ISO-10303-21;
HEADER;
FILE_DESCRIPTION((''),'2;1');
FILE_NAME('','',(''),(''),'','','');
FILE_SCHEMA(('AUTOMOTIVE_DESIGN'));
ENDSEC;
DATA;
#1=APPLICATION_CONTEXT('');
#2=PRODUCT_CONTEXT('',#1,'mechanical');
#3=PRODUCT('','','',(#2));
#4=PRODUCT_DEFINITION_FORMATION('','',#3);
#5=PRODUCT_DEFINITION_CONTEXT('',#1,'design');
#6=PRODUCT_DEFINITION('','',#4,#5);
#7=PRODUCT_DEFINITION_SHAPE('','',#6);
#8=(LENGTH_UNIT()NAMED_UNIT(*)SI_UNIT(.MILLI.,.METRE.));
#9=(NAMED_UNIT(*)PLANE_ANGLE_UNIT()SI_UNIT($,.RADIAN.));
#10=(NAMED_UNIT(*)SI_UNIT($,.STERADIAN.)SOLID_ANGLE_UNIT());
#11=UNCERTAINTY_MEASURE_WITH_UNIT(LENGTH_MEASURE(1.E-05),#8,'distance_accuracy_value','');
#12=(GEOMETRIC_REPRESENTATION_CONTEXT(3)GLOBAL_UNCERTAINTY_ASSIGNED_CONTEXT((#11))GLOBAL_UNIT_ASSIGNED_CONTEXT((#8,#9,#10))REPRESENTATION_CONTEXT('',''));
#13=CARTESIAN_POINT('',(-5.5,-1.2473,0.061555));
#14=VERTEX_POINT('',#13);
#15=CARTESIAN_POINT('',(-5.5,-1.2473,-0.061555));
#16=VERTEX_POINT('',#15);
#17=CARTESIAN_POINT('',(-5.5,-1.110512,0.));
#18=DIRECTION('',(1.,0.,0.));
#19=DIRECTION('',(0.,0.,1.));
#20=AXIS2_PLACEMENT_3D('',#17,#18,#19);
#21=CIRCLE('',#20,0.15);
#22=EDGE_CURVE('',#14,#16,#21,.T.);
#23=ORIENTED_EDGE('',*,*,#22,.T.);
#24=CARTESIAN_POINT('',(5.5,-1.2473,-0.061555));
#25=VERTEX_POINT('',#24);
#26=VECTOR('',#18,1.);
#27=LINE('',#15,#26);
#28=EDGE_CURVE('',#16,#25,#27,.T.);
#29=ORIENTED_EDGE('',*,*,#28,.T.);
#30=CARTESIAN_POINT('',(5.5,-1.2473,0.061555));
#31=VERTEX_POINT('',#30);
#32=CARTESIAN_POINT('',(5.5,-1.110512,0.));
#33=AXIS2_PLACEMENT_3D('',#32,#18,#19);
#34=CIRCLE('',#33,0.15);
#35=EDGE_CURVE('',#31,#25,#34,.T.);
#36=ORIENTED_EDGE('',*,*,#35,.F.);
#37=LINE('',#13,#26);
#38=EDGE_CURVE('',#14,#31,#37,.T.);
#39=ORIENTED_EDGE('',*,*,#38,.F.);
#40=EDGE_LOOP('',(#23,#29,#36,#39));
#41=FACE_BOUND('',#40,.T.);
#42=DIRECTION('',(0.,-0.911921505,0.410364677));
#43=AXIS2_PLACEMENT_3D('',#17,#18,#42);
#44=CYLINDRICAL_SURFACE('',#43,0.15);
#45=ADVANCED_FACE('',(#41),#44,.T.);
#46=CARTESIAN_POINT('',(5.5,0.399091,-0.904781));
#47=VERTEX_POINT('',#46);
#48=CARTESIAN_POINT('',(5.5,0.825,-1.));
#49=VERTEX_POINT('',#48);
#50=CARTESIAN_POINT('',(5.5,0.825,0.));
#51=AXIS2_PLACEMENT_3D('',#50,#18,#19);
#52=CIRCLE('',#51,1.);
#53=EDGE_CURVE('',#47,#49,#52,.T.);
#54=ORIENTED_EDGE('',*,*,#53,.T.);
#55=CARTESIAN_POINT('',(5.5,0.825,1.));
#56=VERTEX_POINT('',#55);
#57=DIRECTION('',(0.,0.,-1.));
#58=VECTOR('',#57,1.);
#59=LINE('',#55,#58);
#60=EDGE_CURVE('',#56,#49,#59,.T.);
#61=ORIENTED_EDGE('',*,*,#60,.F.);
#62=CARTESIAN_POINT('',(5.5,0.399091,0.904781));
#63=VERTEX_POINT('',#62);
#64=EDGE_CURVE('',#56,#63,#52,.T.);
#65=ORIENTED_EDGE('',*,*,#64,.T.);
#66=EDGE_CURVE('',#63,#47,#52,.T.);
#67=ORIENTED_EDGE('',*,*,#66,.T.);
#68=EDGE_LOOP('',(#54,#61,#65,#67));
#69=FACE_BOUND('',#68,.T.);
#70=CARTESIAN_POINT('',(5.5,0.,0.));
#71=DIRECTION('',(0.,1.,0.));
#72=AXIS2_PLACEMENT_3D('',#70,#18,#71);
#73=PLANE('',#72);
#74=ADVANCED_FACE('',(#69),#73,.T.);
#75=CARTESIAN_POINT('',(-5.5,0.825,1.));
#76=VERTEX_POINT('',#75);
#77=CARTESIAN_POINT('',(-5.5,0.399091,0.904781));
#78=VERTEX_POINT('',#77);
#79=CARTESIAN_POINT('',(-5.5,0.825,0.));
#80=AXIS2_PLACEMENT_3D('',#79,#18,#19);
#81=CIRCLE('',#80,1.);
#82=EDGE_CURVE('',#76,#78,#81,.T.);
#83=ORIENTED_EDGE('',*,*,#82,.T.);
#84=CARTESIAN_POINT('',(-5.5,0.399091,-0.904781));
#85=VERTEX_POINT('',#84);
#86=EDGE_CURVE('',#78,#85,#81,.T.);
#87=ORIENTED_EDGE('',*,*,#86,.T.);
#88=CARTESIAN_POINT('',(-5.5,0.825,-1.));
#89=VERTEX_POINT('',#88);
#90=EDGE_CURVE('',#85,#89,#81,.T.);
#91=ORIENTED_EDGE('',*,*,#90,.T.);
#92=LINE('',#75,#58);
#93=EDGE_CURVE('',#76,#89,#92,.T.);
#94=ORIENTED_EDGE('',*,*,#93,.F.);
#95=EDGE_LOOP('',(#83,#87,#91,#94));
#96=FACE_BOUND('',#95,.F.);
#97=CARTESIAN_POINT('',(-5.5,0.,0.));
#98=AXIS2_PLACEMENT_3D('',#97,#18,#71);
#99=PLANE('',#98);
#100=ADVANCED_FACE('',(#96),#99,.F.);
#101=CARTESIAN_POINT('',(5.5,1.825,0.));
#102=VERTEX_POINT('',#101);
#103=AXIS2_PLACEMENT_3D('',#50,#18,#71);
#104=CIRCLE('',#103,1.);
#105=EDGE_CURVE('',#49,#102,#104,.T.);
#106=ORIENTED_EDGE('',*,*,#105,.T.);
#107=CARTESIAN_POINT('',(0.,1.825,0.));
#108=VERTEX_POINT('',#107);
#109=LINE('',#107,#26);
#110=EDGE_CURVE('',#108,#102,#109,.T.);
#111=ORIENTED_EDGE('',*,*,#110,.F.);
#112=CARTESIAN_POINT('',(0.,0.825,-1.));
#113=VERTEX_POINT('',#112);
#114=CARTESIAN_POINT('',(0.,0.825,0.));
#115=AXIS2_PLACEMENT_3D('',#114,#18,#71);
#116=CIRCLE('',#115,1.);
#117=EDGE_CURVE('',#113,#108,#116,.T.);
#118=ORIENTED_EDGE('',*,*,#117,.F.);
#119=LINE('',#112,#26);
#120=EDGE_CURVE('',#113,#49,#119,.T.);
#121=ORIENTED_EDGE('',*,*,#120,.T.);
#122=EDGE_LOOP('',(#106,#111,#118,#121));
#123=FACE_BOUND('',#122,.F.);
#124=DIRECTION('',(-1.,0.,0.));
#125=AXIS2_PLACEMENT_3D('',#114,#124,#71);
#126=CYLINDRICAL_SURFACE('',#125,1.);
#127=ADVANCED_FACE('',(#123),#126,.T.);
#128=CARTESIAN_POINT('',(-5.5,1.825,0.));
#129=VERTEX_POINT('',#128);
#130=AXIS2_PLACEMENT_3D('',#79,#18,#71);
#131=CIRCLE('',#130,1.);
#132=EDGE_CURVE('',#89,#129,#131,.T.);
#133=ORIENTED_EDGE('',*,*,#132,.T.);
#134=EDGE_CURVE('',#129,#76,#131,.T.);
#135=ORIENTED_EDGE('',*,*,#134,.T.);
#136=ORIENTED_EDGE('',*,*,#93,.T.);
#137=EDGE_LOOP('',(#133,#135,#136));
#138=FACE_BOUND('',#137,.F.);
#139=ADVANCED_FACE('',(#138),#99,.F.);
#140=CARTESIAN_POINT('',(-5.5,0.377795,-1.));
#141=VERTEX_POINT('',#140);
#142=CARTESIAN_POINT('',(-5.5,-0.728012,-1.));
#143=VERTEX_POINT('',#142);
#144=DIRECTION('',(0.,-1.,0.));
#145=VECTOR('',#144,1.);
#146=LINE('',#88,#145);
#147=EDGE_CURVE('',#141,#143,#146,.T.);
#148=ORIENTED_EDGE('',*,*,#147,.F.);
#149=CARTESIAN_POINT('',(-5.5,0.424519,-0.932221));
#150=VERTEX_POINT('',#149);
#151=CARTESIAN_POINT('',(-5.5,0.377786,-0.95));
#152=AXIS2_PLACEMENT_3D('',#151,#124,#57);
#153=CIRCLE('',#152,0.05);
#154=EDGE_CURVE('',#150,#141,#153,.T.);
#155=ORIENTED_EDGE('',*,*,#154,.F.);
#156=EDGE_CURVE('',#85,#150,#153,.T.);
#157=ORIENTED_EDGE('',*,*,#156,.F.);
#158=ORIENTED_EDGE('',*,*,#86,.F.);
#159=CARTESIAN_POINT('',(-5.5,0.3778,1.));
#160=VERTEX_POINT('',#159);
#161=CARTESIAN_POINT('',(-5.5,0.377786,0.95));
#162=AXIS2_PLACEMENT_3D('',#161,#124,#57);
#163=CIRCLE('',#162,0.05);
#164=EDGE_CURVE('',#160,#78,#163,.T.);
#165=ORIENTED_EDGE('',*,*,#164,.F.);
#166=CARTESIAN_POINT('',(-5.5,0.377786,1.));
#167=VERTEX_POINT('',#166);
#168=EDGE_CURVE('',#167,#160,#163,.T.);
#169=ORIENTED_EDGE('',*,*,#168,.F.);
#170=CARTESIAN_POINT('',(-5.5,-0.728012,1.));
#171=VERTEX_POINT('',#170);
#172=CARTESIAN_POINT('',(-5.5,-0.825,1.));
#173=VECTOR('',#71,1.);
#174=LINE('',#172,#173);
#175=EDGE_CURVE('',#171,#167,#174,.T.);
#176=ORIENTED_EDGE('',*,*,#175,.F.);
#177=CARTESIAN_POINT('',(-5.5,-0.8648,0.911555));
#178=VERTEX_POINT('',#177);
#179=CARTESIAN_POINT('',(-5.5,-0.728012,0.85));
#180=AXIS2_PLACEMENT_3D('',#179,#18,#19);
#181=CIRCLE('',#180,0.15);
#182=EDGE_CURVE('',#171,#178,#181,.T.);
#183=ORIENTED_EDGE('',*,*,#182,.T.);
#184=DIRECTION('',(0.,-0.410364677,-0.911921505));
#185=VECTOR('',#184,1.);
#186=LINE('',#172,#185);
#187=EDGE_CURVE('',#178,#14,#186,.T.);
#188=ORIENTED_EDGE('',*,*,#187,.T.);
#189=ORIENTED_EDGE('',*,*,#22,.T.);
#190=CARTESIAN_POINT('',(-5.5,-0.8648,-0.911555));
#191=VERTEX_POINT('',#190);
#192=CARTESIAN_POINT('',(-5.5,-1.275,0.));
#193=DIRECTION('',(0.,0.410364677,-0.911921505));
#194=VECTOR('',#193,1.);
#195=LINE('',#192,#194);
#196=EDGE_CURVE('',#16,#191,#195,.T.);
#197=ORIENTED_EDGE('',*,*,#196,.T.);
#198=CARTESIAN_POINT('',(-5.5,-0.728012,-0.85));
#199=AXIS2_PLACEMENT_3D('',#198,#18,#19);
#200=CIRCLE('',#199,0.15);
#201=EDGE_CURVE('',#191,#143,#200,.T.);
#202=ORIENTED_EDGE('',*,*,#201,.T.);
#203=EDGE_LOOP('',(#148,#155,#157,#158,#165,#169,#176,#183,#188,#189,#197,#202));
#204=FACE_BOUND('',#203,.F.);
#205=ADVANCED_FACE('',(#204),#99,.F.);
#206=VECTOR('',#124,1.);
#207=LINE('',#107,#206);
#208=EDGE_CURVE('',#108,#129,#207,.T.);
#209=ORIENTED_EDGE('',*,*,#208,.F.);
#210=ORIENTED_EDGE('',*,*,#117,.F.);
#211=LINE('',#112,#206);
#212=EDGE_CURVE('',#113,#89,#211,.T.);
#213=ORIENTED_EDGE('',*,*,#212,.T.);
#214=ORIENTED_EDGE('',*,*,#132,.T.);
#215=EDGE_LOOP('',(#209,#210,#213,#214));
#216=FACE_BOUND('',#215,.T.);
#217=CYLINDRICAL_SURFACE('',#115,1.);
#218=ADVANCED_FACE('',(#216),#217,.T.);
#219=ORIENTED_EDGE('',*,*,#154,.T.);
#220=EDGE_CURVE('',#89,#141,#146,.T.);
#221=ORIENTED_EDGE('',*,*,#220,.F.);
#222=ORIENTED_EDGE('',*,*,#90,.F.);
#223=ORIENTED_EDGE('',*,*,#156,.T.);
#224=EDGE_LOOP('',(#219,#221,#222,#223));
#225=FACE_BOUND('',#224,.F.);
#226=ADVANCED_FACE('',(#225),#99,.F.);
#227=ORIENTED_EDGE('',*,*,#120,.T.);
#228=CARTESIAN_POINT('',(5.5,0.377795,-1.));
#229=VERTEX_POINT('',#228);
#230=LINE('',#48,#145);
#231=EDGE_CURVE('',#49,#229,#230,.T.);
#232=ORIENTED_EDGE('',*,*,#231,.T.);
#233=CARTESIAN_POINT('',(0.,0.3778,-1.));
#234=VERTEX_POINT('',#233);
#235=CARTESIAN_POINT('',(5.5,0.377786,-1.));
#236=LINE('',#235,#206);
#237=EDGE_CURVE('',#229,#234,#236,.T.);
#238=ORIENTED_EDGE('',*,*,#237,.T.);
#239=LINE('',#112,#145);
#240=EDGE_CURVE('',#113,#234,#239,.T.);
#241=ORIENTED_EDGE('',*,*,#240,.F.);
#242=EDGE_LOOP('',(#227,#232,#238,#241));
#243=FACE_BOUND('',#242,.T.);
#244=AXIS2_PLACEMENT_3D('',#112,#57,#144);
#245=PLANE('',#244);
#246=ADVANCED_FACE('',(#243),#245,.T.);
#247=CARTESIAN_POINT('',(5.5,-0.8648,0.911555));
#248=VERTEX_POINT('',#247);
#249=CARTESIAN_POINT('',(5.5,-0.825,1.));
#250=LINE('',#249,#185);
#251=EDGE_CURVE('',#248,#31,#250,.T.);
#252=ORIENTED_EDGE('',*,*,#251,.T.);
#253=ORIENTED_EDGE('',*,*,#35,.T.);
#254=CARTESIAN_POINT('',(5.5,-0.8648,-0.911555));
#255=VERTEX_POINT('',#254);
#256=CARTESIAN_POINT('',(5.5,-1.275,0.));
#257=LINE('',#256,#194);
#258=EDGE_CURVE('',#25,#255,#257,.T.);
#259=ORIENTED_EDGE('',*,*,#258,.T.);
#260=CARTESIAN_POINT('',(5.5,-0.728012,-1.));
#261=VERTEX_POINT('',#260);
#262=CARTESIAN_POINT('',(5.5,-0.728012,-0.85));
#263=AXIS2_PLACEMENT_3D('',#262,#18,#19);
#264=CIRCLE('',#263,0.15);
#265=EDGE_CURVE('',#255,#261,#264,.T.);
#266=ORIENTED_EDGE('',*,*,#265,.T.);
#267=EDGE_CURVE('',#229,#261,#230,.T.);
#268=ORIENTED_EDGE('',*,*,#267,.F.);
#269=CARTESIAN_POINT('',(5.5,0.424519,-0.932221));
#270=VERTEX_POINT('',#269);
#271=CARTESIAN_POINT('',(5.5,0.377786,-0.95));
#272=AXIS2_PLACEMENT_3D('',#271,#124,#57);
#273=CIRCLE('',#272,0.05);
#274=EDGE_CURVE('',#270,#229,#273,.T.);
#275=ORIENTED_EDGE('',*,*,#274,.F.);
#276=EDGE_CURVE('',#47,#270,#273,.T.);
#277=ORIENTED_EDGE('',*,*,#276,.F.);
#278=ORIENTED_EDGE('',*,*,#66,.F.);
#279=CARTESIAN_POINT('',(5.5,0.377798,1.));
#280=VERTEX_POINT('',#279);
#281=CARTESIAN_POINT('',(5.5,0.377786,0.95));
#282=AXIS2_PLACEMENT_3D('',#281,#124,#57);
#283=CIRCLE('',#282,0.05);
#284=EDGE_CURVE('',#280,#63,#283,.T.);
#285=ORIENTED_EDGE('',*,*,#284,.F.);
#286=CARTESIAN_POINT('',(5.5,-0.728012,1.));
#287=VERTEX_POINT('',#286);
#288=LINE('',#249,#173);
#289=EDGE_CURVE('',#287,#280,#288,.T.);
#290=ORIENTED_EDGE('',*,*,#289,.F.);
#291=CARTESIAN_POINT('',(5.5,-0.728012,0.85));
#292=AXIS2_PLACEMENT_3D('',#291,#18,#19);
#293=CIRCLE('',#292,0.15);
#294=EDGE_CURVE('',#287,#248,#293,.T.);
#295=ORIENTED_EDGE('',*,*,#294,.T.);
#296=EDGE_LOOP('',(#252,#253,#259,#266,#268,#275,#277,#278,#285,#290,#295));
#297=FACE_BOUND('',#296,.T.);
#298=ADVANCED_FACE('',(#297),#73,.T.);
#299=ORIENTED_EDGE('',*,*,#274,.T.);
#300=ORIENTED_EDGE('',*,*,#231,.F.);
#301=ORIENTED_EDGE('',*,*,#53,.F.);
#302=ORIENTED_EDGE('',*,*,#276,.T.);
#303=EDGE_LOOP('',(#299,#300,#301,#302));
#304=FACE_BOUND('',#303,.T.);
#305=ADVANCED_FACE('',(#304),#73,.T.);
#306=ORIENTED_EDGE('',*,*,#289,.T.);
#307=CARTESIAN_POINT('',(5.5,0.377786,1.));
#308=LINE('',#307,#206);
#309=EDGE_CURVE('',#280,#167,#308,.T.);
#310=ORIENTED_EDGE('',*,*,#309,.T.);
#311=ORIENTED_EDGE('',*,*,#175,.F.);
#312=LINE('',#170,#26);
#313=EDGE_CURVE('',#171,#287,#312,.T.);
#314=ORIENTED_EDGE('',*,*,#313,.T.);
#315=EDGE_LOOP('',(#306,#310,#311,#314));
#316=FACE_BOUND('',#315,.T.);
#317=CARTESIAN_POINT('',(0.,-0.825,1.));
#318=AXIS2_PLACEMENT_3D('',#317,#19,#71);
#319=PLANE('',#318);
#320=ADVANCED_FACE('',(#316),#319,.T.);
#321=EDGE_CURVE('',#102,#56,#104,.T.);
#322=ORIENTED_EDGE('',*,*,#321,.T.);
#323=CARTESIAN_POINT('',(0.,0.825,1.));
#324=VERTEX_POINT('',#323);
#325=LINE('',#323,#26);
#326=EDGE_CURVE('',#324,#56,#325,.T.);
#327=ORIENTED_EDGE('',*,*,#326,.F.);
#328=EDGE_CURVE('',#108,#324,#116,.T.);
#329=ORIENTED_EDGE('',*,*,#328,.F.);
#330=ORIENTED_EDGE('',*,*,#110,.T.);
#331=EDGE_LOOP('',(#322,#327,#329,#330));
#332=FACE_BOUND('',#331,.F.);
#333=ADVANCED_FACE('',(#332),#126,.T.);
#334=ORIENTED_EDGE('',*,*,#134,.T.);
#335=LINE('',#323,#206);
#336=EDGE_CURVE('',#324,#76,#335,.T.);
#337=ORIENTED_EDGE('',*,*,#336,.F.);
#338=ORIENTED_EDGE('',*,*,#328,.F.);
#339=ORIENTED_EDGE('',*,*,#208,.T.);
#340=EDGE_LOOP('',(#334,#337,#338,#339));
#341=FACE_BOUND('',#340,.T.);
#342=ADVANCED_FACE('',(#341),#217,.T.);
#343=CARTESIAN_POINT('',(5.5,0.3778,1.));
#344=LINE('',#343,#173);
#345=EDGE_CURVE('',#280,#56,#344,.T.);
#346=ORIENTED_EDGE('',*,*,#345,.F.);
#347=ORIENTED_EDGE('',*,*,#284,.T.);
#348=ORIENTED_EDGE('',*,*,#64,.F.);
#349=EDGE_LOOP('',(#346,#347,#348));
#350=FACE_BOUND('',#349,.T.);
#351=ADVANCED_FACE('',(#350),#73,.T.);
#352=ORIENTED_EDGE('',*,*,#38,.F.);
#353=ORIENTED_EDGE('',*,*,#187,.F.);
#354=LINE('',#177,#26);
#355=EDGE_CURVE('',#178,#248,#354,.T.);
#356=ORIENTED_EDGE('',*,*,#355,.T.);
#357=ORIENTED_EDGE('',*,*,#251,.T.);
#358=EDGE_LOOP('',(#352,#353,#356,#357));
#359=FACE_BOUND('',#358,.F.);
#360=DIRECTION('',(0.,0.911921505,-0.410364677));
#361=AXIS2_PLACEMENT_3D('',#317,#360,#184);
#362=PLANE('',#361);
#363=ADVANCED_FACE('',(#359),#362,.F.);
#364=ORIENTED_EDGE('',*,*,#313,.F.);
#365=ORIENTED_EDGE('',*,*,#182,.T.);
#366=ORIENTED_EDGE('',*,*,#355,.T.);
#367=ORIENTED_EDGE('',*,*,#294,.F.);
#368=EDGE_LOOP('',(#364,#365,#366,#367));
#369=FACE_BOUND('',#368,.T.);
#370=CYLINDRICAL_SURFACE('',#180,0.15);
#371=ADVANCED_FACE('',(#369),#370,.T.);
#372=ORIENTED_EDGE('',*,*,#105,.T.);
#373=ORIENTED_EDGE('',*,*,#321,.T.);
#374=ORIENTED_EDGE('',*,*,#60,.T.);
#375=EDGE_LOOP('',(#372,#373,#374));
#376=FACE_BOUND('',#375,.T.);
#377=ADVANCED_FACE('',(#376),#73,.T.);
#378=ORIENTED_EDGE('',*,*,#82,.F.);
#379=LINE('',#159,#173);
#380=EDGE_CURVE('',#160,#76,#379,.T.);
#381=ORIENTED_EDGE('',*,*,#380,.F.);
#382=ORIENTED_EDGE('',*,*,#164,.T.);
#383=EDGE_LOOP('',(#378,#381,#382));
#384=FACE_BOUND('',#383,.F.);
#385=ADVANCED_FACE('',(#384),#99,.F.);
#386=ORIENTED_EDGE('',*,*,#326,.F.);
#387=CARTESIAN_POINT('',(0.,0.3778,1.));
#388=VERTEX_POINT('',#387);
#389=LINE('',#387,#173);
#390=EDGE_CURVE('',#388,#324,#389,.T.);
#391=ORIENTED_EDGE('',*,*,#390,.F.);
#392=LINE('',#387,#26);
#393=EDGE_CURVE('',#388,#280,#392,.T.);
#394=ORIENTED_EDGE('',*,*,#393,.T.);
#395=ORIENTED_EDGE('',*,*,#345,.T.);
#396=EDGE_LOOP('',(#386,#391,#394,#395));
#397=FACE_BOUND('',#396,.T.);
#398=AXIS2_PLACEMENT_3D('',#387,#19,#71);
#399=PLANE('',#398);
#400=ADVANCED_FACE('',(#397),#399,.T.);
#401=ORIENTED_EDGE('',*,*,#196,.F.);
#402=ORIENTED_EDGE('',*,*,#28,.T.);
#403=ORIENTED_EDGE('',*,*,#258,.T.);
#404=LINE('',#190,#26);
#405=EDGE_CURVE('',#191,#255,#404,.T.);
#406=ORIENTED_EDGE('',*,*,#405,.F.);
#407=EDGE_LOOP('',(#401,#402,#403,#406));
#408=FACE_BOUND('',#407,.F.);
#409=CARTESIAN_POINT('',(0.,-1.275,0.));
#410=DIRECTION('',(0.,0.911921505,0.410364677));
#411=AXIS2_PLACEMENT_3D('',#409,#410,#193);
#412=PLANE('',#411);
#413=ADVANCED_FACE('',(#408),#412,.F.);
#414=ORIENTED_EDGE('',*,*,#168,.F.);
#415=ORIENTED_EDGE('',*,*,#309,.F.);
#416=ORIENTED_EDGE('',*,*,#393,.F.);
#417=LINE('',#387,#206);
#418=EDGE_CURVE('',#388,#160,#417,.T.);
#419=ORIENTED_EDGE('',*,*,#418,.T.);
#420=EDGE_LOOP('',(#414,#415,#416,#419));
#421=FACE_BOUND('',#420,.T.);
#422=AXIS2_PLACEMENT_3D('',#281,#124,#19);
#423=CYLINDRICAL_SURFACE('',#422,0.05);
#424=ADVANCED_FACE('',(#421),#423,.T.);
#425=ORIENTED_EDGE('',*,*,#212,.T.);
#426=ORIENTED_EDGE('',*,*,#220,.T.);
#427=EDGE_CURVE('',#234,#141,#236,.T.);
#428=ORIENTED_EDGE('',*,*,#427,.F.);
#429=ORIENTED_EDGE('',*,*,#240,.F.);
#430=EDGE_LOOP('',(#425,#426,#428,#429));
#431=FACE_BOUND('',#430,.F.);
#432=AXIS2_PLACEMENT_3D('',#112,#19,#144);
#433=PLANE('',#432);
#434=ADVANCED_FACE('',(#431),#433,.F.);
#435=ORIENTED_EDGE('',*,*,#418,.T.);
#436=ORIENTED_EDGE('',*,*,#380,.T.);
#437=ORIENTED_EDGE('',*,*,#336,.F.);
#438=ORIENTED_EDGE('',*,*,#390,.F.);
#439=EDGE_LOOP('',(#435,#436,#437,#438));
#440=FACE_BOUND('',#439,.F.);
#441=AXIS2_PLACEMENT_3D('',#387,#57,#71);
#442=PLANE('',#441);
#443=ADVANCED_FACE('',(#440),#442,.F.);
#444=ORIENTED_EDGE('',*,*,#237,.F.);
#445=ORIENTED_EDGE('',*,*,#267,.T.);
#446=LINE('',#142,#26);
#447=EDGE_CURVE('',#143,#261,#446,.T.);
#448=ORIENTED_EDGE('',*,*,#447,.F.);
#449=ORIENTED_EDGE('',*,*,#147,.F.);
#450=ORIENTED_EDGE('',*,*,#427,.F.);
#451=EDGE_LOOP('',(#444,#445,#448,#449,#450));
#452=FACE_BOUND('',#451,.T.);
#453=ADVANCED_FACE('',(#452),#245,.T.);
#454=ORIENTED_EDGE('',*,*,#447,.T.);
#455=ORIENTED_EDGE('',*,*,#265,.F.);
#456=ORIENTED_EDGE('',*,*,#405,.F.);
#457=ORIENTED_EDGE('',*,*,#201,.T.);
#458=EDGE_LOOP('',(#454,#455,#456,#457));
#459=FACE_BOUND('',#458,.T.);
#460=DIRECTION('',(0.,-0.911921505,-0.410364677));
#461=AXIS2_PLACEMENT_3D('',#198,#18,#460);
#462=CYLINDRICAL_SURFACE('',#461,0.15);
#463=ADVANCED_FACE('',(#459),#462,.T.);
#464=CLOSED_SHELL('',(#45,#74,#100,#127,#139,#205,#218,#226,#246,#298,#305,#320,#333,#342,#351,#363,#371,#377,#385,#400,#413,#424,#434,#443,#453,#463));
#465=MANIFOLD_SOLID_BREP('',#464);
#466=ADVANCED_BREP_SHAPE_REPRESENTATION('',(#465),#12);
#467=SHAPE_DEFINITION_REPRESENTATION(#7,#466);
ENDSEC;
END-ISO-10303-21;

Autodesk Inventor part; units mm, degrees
ref_plane "YZ Plane" through (0, 0, 0) normal (1, 0, 0) x (0, 1, 0)
ref_plane "XZ Plane" through (0, 0, 0) normal (0, 1, 0) x (-1, 0, 0)
ref_plane "XY Plane" through (0, 0, 0) normal (0, 0, 1) x (1, 0, 0)
sketch "Sketch1" plane through (0, 0, 0) normal (1, 0, 0) x (0, 1, 0)
  line L0 (-0.825, 1) -> (0.825, 1)
  line L1 (0.825, -1) -> (-0.825, -1)
  line L2 (-0.825, -1) -> (-0.825, 1) construction
  line L3 (-0.825, 1) -> (0.825, -1) construction
  line L4 (0.825, 1) -> (-0.825, -1) construction
  arc A0 (0.825, 1) -> (0.825, -1) centre (0.825, 0) ccw
  line L5 (-0.825, 1) -> (-1.275, 0)
  line L6 (-1.275, 0) -> (-0.825, -1)
  point P0 (0, 0)
  dimension "d0" = 2
  dimension "d1" = 1.65
  dimension "d9" = 2.1
extrude "Extrusion1" add sketch "Sketch1" along normal mid plane 11
fillet "Fillet1" radius 0.05 2 edges at (0, 0.825, 1) (0, 0.825, -1)
fillet "Fillet1" radius 0.15 3 edges at (0, -0.825, -1) (0, -0.825, 1) (0, -1.275, 0)
sketch "Sketch2" plane through (0, 0, 0) normal (1, 0, 0) x (0, 1, 0)
  arc A0 (0.825, 1) -> (0.825, -1) centre (0.825, 0) ccw projected
  circle A1 centre (0.825, 0) radius 1
  line L0 (-0.728, 1) -> (0.3778, 1) projected
  line L1 (0.3778, 1) -> (0.825, 1)
  line L2 (0.825, 1) -> (0.825, -1)
  line L3 (-0.728, -1) -> (0.3778, -1) projected
  line L4 (0.825, -1) -> (0.3778, -1)
  arc A2 (-1.2473, 0.0616) -> (-1.2473, -0.0616) centre (-1.1105, 0) ccw projected
  line L5 (-1.2473, -0.0616) -> (-0.8648, -0.9116) projected
  arc A3 (-0.8648, -0.9116) -> (-0.728, -1) centre (-0.728, -0.85) ccw projected
  line L6 (-0.728, -1) -> (0.3778, -1) projected
  arc A4 (0.3778, -1) -> (0.3991, -0.9048) centre (0.3778, -0.95) ccw projected
  arc A5 (0.3991, 0.9048) -> (0.3991, -0.9048) centre (0.825, 0) ccw projected
  arc A6 (0.3991, 0.9048) -> (0.3778, 1) centre (0.3778, 0.95) ccw projected
  line L7 (0.3778, 1) -> (-0.728, 1) projected
  arc A7 (-0.728, 1) -> (-0.8648, 0.9116) centre (-0.728, 0.85) ccw projected
  line L8 (-0.8648, 0.9116) -> (-1.2473, 0.0616) projected
  point P0 (0, 0)
  point P1 (0.825, 1)
  point P2 (0.3991, 0.9048)
  point P3 (0.3991, -0.9048)
  point P4 (0.3778, -1)
extrude "graphite" add sketch "Sketch2" along normal mid plane 11 contours L2 A0 | A0 A6 L1 | A1 L2 | L4 A4 A0
properties part number "ApexSeal"
